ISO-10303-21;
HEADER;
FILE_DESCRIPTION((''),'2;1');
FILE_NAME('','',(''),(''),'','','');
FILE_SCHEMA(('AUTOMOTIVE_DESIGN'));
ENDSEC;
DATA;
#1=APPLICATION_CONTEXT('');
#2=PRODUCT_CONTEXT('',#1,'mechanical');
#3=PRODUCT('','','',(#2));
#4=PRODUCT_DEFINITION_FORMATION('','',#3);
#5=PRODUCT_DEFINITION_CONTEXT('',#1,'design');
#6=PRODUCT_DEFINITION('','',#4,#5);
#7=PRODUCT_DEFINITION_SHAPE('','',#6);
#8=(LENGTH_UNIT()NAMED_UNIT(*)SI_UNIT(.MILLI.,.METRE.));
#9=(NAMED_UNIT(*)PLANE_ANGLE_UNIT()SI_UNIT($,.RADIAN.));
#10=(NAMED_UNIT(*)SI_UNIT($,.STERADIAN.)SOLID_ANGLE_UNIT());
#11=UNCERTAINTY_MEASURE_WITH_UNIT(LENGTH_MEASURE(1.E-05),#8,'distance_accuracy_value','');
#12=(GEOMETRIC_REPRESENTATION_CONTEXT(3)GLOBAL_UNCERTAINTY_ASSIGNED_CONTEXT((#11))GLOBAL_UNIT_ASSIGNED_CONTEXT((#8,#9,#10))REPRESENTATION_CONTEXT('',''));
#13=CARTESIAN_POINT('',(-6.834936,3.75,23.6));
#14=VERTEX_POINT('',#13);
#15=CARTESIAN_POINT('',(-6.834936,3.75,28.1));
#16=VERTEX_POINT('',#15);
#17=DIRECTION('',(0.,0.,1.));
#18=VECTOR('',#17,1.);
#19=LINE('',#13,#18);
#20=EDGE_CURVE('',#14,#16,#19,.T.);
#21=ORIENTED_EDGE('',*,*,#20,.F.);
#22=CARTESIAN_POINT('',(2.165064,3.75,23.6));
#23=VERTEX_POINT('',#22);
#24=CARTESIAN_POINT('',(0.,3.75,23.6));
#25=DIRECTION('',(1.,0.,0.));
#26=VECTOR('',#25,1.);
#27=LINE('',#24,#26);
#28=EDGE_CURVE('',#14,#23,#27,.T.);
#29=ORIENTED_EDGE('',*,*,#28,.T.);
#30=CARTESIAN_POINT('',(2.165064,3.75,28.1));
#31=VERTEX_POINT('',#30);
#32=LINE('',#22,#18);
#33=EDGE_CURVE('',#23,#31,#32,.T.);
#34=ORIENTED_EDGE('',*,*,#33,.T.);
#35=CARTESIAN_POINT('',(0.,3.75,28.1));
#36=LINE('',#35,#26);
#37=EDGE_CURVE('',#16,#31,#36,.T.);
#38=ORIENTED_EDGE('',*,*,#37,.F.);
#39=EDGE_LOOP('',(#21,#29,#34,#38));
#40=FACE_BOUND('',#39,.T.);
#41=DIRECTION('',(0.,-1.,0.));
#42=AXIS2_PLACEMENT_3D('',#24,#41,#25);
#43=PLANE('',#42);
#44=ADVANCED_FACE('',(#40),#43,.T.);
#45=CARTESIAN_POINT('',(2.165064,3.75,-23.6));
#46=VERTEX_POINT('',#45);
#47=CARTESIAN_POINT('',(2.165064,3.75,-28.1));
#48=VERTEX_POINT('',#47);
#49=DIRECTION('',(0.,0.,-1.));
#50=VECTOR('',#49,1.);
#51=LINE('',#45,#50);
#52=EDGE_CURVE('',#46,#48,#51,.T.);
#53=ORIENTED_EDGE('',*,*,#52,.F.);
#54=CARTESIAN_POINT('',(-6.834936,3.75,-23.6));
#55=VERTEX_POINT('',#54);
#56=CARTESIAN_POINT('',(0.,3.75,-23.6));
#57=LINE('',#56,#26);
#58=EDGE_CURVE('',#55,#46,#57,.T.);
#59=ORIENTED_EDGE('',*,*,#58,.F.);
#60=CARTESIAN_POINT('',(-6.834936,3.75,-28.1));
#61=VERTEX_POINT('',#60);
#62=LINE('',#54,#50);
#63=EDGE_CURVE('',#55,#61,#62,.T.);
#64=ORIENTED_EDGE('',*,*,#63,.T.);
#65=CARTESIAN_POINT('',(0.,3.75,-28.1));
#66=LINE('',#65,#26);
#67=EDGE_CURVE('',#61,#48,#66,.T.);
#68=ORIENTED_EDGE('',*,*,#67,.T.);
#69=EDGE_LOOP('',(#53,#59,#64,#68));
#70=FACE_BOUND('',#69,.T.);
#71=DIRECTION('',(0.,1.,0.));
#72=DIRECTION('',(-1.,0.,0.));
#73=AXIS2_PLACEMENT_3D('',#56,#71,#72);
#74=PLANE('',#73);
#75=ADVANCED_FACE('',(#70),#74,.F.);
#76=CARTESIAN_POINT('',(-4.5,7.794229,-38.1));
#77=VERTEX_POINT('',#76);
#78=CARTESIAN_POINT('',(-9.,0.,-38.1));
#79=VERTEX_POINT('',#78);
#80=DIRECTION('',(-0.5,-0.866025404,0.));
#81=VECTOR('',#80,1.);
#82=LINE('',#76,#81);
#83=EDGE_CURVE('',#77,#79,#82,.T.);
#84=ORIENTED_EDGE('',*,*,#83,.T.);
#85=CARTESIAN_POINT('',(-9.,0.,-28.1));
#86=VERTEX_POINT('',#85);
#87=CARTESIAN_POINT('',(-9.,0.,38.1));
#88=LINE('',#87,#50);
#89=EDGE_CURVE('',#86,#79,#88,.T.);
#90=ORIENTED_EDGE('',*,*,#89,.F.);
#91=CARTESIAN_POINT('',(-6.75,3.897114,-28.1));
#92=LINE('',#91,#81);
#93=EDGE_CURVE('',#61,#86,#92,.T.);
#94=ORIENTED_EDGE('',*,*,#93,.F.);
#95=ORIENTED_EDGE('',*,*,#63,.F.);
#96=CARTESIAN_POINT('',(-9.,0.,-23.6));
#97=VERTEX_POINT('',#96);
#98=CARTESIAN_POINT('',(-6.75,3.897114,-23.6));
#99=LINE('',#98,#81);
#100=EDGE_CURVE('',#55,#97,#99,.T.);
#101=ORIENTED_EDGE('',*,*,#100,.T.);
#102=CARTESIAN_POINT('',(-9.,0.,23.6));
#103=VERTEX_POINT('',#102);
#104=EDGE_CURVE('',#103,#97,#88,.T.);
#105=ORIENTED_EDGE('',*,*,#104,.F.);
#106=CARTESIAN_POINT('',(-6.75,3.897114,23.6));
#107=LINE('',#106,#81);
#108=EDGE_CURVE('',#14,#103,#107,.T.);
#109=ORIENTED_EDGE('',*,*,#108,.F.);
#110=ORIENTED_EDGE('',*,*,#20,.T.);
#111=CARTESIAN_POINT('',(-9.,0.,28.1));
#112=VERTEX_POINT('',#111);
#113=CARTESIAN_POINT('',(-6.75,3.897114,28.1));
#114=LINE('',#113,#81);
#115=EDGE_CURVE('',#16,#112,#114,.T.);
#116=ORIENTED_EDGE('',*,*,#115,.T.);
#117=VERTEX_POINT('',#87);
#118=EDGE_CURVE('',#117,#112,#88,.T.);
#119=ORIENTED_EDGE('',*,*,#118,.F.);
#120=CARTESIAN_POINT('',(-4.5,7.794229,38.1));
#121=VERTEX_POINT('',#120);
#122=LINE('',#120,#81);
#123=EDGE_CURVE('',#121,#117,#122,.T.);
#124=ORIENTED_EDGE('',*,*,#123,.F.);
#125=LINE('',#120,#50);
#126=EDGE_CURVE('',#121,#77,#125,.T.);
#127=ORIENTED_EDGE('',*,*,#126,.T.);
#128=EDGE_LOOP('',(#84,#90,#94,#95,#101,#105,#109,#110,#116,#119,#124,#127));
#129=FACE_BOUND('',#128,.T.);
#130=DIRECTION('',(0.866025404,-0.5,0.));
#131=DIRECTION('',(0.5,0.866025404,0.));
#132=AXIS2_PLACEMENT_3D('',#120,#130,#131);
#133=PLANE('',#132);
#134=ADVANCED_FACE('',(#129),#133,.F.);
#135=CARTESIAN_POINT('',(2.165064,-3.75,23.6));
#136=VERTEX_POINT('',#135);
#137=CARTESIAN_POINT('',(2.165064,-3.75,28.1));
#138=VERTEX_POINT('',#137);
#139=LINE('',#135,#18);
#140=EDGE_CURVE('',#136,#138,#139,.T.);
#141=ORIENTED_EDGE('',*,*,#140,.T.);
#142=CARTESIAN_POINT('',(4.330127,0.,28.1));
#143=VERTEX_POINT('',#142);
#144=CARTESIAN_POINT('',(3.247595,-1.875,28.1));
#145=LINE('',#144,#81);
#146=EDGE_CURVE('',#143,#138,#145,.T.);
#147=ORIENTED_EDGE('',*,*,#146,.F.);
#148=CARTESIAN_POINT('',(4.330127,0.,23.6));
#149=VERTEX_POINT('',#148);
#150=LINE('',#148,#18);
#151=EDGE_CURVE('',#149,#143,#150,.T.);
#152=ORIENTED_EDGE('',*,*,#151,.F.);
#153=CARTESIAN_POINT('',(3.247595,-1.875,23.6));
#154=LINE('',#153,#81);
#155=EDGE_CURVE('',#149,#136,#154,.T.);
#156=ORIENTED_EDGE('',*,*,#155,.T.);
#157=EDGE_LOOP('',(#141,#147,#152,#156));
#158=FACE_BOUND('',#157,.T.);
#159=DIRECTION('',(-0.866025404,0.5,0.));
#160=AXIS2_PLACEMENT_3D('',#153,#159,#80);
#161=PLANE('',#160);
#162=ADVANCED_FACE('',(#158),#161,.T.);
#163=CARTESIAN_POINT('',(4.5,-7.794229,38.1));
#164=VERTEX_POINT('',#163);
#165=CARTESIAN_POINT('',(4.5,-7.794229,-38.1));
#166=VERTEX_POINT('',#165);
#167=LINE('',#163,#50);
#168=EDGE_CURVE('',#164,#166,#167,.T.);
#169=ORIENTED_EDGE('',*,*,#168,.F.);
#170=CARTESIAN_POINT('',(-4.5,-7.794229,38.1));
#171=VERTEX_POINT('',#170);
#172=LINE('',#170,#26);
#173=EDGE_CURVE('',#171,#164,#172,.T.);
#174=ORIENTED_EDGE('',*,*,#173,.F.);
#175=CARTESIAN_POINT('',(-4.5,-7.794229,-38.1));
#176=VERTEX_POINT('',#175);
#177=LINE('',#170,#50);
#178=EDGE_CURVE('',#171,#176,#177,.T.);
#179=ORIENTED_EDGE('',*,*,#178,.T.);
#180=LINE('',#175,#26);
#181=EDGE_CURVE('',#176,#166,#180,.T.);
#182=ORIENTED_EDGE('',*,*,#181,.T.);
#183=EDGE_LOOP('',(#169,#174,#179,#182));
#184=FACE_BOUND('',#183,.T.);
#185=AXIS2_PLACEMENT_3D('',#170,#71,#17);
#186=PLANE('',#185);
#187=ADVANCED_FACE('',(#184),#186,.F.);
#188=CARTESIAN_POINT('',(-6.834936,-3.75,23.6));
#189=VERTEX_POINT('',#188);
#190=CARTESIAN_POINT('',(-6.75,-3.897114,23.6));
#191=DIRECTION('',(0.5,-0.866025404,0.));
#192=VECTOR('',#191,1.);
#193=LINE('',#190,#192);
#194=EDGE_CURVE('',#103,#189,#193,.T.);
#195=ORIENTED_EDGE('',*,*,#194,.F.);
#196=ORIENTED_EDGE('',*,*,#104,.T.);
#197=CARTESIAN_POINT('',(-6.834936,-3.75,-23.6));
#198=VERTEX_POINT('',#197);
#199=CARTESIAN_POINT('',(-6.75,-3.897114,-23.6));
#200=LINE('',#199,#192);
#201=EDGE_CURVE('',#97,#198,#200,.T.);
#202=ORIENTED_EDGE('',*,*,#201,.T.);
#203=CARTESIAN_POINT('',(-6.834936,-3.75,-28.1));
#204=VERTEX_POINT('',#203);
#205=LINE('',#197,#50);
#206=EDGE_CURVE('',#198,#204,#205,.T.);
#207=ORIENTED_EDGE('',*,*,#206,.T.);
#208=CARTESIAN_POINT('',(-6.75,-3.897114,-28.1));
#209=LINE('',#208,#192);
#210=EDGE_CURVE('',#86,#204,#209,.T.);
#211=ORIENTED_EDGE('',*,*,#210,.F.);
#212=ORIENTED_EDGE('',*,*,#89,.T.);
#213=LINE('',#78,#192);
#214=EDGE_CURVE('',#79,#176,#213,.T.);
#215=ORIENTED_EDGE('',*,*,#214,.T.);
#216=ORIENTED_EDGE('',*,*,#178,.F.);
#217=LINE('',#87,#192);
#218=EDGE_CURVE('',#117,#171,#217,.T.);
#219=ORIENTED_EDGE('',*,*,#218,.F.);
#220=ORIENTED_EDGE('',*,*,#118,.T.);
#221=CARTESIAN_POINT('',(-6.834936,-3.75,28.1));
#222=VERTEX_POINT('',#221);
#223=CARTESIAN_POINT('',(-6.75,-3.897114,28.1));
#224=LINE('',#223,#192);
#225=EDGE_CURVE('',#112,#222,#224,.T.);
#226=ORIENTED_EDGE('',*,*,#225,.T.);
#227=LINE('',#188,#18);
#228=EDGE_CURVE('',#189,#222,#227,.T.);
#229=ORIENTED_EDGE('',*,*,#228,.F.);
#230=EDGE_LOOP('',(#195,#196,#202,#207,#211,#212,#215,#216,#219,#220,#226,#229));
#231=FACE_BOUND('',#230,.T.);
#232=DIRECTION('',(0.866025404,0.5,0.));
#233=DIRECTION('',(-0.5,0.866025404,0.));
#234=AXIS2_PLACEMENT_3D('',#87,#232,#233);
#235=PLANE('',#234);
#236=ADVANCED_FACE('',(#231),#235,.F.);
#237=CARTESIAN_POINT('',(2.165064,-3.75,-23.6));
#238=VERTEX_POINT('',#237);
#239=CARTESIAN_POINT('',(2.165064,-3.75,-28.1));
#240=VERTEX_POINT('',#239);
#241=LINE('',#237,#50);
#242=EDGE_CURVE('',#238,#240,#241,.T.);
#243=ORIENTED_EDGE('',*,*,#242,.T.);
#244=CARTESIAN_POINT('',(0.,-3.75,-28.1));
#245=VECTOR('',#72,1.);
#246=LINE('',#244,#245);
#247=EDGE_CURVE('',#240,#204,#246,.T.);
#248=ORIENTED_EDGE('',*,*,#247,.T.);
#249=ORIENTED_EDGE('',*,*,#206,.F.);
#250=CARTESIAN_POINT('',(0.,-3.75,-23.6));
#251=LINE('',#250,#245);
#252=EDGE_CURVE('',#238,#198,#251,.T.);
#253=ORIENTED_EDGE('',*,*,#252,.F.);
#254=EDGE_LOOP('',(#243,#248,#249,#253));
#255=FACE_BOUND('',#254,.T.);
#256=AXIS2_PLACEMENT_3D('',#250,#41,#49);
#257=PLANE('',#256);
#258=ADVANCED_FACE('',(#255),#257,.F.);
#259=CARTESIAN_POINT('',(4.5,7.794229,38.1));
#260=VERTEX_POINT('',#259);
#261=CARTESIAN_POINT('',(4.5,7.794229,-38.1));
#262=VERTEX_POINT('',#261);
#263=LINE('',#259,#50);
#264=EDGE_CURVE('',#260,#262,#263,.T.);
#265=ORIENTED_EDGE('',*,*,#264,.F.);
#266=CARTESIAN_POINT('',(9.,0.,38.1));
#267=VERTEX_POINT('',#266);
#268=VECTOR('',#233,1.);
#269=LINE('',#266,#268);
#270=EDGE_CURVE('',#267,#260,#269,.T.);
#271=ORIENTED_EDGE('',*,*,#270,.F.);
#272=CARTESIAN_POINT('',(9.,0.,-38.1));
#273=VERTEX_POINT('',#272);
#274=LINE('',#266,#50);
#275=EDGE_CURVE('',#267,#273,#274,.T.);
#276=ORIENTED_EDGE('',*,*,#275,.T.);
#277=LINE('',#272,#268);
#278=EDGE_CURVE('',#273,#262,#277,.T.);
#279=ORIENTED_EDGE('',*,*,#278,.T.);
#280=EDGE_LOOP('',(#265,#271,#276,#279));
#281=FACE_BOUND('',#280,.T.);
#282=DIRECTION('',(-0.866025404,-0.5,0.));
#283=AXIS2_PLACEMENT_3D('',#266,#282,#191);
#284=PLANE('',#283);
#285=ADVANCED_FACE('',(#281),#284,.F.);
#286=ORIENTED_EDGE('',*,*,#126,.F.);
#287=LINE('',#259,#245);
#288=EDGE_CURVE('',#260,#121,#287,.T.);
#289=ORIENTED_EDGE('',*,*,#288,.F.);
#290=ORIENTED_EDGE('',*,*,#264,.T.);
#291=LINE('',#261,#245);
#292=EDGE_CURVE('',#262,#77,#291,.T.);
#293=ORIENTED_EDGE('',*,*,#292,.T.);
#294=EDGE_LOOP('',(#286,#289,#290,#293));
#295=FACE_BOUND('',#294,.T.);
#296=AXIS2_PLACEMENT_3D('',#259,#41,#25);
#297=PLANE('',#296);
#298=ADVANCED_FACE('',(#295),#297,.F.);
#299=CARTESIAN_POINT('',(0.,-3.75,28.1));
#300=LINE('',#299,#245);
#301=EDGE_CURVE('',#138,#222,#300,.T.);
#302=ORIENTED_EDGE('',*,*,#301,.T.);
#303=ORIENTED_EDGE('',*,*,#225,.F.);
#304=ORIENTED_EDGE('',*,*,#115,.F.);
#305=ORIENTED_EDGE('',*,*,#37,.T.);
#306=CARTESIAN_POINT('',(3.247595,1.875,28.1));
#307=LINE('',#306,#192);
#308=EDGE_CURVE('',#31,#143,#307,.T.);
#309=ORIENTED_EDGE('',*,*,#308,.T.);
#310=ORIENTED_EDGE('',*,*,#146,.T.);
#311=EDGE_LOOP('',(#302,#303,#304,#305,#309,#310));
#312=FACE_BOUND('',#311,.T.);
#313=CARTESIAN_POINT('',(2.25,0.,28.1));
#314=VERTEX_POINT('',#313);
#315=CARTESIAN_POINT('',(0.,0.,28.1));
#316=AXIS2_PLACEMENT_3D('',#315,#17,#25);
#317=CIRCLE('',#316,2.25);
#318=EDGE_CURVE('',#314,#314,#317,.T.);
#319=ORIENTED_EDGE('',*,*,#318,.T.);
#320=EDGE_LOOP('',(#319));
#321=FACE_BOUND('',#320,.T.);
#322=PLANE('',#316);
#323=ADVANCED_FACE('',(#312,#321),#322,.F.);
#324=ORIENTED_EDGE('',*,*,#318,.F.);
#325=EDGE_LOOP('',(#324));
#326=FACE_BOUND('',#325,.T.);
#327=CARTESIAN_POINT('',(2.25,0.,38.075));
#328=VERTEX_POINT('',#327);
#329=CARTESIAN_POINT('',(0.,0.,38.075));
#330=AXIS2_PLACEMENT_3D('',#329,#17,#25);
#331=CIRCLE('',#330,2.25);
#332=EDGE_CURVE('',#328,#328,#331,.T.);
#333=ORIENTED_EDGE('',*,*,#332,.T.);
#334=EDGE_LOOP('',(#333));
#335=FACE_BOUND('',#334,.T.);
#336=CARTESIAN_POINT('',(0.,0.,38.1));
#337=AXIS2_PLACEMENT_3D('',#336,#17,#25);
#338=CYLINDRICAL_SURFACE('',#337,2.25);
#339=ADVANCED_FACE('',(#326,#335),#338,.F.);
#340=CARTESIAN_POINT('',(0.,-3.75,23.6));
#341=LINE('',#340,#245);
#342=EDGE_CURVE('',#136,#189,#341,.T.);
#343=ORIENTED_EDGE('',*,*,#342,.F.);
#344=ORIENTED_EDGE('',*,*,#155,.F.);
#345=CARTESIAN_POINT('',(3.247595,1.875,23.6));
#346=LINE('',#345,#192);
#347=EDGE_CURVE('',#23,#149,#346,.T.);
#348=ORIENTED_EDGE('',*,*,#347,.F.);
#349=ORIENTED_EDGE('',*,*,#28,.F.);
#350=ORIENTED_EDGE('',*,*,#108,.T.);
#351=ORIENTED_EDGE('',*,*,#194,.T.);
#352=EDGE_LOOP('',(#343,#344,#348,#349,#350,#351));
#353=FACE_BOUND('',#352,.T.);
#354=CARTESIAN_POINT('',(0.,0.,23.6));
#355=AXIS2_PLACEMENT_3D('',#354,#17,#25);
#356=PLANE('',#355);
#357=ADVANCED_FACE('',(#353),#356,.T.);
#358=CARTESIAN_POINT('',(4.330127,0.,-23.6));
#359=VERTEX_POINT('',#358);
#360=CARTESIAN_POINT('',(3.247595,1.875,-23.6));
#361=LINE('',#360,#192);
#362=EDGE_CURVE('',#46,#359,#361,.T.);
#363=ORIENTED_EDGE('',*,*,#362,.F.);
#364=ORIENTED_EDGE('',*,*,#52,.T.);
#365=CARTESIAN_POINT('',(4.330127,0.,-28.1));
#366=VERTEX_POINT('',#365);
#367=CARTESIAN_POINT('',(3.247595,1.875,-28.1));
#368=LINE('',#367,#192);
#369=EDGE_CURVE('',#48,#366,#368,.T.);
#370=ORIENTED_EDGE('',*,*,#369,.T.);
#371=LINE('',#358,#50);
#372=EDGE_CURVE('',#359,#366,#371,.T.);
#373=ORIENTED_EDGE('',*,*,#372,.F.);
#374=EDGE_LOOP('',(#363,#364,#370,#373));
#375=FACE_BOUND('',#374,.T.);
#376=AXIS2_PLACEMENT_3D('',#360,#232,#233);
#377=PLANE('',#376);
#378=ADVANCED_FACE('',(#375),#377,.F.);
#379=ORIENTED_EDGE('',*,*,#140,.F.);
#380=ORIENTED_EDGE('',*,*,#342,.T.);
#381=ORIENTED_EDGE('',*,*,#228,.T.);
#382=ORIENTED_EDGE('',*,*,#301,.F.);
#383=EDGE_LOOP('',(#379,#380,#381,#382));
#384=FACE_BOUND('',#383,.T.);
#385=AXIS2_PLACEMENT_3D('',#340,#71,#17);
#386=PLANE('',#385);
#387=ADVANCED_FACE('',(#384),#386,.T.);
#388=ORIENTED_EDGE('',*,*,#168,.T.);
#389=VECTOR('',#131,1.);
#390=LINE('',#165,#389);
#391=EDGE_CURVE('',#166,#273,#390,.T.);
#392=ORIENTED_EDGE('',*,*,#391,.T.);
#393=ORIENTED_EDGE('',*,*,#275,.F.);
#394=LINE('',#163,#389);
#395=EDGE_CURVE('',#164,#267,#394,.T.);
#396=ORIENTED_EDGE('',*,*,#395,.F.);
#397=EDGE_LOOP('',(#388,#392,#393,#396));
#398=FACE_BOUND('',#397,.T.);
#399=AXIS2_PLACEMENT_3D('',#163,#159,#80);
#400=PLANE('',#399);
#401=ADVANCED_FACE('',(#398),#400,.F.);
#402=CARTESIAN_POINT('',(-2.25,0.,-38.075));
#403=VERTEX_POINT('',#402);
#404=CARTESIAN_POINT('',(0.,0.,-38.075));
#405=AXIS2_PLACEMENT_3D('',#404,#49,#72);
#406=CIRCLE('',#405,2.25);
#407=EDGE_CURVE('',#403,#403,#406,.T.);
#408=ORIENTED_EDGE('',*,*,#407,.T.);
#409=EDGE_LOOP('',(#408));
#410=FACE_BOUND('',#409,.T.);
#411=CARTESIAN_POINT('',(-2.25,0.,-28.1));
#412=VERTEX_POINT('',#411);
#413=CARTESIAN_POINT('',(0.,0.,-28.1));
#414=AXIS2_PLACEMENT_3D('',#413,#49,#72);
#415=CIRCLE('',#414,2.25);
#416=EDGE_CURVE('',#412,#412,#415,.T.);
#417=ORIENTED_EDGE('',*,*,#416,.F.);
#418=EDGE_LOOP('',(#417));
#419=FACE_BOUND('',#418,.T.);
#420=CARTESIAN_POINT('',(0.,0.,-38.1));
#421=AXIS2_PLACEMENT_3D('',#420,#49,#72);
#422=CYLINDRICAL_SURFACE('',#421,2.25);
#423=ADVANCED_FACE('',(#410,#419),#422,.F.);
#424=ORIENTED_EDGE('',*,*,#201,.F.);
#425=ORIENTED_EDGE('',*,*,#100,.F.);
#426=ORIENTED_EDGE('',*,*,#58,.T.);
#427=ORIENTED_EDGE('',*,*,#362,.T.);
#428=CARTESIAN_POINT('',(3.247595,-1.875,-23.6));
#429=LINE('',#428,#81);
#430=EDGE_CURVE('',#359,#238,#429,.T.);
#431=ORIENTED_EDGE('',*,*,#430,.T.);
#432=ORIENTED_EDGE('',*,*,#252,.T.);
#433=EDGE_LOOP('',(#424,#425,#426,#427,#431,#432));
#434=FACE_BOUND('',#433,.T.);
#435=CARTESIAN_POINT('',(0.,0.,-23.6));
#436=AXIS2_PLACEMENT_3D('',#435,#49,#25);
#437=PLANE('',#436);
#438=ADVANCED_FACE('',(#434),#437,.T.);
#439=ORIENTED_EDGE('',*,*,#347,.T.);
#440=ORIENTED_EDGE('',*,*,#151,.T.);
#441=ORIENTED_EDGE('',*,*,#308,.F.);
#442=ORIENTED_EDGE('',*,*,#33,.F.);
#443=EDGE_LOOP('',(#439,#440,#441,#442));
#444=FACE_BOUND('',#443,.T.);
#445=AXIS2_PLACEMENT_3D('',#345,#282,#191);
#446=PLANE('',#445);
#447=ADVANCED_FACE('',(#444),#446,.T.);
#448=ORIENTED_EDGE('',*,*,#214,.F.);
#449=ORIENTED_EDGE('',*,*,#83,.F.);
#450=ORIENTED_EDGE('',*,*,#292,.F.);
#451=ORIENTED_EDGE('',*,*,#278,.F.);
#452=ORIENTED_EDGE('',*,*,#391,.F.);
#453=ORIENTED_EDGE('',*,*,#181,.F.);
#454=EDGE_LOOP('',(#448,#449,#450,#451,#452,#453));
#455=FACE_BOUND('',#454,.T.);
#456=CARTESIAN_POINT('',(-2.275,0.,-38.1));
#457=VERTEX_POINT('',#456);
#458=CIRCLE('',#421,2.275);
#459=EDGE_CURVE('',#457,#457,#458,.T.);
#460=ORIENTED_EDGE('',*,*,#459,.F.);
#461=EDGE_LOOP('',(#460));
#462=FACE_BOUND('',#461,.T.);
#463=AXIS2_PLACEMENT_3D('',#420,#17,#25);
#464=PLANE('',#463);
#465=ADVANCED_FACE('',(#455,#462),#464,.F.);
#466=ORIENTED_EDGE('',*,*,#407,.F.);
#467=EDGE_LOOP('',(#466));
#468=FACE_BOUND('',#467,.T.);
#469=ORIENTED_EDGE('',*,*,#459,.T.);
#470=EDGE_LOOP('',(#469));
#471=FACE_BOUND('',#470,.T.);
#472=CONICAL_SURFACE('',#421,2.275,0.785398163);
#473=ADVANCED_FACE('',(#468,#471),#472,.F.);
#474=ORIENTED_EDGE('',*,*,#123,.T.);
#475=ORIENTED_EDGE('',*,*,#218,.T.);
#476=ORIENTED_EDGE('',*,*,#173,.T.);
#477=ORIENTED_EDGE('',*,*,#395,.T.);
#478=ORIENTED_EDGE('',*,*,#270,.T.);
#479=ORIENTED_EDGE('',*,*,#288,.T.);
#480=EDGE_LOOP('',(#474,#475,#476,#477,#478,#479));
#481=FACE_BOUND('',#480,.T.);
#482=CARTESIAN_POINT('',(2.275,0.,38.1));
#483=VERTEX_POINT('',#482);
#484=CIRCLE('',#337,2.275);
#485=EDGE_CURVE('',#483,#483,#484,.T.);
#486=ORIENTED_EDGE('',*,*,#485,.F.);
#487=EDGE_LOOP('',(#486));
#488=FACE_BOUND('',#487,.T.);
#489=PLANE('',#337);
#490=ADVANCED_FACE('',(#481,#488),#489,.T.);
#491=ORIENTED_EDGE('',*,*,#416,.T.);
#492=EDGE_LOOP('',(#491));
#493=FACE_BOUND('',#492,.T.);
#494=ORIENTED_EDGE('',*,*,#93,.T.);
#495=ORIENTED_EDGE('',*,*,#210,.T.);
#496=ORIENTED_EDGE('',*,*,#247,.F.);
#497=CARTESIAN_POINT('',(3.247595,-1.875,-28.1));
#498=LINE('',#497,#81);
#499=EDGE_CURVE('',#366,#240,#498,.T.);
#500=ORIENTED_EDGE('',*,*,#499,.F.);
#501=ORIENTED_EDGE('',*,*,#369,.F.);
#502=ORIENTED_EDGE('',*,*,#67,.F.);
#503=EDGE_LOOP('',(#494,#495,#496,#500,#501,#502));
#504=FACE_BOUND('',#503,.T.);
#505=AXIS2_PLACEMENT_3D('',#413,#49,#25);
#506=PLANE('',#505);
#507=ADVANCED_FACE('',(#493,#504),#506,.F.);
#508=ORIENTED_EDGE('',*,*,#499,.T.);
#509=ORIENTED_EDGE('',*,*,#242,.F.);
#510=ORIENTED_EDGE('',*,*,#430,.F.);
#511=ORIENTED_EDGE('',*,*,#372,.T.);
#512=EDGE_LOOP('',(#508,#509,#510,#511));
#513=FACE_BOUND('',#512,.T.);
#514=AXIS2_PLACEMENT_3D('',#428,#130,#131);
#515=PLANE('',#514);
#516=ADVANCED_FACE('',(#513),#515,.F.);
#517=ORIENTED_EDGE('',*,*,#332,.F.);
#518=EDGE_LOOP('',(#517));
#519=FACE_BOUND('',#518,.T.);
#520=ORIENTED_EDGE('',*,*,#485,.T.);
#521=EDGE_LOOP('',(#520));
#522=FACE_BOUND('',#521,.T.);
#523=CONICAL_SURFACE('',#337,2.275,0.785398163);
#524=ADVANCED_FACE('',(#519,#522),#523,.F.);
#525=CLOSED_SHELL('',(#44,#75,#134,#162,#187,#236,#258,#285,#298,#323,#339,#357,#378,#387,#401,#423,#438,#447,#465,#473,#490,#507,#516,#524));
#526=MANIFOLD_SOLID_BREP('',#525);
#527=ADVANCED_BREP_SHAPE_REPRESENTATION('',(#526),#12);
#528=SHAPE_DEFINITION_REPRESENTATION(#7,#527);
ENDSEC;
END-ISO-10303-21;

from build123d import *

# Parameters (mm, degrees)
RESSALTO_EXTRUS_O1_DEPTH          = 38.1
CORTE_EXTRUS_O1_START             = -10
CORTE_EXTRUS_O1_DEPTH             = 4.5
FURO_COM_FOLGA_DE_M41_D           = 4.5
FURO_COM_FOLGA_DE_M41_DEPTH       = 10
FURO_COM_FOLGA_DE_M41_CSINK_D     = 4.55
FURO_COM_FOLGA_DE_M41_CSINK_ANGLE = 90


with BuildPart() as part:
    # Esboço1 → Ressalto-extrusão1 (new body, symmetric)
    with BuildSketch(Plane.XY):
        Polygon((-4.5, -7.794228634), (4.5, -7.794228634), (9, 0), (4.5, 7.794228634), (-4.5, 7.794228634), (-9, 0), align=None)
    extrude(amount=RESSALTO_EXTRUS_O1_DEPTH, both=True)

    # Esboço4 → Corte-extrusão1 (cut)
    with BuildSketch(Plane.XY.offset(38.1).offset(CORTE_EXTRUS_O1_START)):
        Polygon((2.165063509, 3.75), (-6.834936491, 3.75), (-9, 0), (-6.834936491, -3.75), (2.165063509, -3.75), (4.330127019, 0), align=None)
    corte_extrus_o1 = extrude(amount=-CORTE_EXTRUS_O1_DEPTH, mode=Mode.SUBTRACT)

    # Furo com folga de M41
    with Locations(Plane.XY.offset(38.1)):
        with Locations((0, 0)):
            furo_com_folga_de_m41 = CounterSinkHole(FURO_COM_FOLGA_DE_M41_D / 2, FURO_COM_FOLGA_DE_M41_CSINK_D / 2, depth=FURO_COM_FOLGA_DE_M41_DEPTH, counter_sink_angle=FURO_COM_FOLGA_DE_M41_CSINK_ANGLE)

    # Espelhar1: Corte-extrusão1, Furo com folga de M41 across plane
    add(corte_extrus_o1.mirror(Plane.XY), mode=Mode.SUBTRACT)
    add(furo_com_folga_de_m41.mirror(Plane.XY), mode=Mode.SUBTRACT)


solid = part.part
